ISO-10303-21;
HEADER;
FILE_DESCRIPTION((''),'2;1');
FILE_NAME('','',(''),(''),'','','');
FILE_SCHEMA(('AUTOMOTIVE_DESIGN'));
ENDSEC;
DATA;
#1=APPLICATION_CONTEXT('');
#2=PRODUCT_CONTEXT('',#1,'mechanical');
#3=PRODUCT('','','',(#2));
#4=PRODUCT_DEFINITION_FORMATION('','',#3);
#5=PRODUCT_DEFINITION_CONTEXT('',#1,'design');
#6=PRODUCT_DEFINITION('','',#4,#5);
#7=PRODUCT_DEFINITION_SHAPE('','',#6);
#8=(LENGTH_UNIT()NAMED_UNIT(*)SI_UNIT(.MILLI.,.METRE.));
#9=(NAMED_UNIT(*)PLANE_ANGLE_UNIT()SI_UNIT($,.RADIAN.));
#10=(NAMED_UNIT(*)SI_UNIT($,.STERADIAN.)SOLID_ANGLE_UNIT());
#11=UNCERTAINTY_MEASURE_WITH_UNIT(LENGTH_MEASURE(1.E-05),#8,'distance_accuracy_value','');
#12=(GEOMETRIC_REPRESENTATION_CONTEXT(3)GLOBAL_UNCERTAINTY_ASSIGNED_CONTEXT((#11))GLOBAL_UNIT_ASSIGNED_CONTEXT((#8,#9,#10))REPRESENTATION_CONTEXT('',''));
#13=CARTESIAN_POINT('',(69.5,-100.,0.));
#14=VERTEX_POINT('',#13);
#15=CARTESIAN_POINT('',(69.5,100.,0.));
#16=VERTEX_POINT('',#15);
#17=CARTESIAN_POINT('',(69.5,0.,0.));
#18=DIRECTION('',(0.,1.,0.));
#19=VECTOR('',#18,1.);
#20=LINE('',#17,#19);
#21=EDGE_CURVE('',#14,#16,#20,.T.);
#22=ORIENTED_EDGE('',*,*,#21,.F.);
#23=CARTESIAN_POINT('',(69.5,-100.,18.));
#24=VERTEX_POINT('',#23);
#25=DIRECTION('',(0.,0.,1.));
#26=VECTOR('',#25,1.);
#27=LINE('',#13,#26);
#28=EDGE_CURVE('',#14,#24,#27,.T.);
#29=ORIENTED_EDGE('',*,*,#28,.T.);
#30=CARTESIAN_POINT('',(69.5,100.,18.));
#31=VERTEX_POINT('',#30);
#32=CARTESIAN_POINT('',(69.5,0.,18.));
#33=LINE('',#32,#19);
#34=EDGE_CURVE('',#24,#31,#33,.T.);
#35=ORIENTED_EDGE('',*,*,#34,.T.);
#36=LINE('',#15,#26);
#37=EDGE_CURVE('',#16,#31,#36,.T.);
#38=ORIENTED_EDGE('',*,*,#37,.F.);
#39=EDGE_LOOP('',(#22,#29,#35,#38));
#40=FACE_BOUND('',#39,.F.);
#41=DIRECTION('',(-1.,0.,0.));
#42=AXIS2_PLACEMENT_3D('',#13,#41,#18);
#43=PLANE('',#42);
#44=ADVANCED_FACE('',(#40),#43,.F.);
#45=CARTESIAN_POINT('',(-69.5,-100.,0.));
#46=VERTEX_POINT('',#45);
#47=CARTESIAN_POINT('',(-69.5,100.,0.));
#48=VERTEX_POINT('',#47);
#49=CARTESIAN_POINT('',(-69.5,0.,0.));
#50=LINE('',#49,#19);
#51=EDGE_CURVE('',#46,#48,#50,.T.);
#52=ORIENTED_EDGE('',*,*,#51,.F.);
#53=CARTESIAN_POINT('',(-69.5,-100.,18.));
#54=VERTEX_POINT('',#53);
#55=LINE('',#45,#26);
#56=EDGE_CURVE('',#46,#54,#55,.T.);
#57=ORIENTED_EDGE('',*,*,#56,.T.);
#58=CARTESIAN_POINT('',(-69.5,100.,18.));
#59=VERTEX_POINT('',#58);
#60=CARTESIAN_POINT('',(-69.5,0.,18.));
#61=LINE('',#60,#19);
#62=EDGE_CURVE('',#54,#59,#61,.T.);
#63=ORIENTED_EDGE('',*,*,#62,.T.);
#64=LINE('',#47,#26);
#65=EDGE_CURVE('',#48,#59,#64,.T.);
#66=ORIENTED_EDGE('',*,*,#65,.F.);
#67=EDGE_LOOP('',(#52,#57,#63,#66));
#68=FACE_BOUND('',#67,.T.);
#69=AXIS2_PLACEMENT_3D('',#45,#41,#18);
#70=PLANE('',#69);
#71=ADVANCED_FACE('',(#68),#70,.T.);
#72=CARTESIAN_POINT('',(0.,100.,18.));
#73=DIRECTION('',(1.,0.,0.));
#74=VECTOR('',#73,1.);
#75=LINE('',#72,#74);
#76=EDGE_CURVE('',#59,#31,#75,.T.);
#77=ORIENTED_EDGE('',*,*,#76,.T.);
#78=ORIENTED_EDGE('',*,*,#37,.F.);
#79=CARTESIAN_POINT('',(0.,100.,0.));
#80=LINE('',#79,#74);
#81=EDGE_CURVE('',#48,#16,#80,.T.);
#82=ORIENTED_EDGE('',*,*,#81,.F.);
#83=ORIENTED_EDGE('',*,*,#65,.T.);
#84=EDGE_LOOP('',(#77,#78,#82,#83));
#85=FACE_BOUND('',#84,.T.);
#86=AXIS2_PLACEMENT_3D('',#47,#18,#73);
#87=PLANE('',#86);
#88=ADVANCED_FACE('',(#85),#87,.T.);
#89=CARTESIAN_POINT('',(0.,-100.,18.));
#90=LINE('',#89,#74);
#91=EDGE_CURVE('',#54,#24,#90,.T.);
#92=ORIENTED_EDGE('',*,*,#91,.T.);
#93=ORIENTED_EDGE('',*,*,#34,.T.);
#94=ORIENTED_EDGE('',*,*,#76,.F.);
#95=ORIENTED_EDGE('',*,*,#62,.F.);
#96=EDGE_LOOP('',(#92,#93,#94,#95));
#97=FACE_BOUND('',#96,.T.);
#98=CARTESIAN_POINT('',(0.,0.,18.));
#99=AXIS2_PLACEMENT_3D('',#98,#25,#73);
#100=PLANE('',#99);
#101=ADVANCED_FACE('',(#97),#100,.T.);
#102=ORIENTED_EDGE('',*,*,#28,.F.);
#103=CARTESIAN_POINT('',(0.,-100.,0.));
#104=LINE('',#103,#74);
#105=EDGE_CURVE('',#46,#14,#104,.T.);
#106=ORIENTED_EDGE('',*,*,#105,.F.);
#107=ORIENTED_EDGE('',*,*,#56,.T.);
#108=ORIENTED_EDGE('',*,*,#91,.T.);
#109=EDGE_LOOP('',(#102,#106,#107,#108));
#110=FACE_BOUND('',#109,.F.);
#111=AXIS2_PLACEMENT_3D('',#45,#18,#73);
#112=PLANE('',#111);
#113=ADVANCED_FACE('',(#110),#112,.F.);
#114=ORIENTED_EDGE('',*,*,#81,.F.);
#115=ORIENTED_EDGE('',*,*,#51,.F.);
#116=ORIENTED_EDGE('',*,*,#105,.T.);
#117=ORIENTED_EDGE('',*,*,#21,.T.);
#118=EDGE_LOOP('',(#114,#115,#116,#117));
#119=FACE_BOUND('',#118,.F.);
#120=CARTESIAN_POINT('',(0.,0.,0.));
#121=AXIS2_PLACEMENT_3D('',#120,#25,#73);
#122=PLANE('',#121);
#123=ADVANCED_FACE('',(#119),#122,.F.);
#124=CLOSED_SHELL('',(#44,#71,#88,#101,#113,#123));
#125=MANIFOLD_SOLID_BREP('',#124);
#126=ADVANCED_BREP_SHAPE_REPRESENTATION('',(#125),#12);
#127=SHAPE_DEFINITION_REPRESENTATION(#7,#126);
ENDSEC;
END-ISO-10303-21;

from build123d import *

# Parameters (mm, degrees)
SKETCH_W  = 139
SKETCH_H  = 200
PAD_DEPTH = 18


with BuildPart() as part:
    # Sketch → Pad (new body)
    with BuildSketch(Plane.XY):
        Rectangle(SKETCH_W, SKETCH_H)
    extrude(amount=PAD_DEPTH)


solid = part.part
